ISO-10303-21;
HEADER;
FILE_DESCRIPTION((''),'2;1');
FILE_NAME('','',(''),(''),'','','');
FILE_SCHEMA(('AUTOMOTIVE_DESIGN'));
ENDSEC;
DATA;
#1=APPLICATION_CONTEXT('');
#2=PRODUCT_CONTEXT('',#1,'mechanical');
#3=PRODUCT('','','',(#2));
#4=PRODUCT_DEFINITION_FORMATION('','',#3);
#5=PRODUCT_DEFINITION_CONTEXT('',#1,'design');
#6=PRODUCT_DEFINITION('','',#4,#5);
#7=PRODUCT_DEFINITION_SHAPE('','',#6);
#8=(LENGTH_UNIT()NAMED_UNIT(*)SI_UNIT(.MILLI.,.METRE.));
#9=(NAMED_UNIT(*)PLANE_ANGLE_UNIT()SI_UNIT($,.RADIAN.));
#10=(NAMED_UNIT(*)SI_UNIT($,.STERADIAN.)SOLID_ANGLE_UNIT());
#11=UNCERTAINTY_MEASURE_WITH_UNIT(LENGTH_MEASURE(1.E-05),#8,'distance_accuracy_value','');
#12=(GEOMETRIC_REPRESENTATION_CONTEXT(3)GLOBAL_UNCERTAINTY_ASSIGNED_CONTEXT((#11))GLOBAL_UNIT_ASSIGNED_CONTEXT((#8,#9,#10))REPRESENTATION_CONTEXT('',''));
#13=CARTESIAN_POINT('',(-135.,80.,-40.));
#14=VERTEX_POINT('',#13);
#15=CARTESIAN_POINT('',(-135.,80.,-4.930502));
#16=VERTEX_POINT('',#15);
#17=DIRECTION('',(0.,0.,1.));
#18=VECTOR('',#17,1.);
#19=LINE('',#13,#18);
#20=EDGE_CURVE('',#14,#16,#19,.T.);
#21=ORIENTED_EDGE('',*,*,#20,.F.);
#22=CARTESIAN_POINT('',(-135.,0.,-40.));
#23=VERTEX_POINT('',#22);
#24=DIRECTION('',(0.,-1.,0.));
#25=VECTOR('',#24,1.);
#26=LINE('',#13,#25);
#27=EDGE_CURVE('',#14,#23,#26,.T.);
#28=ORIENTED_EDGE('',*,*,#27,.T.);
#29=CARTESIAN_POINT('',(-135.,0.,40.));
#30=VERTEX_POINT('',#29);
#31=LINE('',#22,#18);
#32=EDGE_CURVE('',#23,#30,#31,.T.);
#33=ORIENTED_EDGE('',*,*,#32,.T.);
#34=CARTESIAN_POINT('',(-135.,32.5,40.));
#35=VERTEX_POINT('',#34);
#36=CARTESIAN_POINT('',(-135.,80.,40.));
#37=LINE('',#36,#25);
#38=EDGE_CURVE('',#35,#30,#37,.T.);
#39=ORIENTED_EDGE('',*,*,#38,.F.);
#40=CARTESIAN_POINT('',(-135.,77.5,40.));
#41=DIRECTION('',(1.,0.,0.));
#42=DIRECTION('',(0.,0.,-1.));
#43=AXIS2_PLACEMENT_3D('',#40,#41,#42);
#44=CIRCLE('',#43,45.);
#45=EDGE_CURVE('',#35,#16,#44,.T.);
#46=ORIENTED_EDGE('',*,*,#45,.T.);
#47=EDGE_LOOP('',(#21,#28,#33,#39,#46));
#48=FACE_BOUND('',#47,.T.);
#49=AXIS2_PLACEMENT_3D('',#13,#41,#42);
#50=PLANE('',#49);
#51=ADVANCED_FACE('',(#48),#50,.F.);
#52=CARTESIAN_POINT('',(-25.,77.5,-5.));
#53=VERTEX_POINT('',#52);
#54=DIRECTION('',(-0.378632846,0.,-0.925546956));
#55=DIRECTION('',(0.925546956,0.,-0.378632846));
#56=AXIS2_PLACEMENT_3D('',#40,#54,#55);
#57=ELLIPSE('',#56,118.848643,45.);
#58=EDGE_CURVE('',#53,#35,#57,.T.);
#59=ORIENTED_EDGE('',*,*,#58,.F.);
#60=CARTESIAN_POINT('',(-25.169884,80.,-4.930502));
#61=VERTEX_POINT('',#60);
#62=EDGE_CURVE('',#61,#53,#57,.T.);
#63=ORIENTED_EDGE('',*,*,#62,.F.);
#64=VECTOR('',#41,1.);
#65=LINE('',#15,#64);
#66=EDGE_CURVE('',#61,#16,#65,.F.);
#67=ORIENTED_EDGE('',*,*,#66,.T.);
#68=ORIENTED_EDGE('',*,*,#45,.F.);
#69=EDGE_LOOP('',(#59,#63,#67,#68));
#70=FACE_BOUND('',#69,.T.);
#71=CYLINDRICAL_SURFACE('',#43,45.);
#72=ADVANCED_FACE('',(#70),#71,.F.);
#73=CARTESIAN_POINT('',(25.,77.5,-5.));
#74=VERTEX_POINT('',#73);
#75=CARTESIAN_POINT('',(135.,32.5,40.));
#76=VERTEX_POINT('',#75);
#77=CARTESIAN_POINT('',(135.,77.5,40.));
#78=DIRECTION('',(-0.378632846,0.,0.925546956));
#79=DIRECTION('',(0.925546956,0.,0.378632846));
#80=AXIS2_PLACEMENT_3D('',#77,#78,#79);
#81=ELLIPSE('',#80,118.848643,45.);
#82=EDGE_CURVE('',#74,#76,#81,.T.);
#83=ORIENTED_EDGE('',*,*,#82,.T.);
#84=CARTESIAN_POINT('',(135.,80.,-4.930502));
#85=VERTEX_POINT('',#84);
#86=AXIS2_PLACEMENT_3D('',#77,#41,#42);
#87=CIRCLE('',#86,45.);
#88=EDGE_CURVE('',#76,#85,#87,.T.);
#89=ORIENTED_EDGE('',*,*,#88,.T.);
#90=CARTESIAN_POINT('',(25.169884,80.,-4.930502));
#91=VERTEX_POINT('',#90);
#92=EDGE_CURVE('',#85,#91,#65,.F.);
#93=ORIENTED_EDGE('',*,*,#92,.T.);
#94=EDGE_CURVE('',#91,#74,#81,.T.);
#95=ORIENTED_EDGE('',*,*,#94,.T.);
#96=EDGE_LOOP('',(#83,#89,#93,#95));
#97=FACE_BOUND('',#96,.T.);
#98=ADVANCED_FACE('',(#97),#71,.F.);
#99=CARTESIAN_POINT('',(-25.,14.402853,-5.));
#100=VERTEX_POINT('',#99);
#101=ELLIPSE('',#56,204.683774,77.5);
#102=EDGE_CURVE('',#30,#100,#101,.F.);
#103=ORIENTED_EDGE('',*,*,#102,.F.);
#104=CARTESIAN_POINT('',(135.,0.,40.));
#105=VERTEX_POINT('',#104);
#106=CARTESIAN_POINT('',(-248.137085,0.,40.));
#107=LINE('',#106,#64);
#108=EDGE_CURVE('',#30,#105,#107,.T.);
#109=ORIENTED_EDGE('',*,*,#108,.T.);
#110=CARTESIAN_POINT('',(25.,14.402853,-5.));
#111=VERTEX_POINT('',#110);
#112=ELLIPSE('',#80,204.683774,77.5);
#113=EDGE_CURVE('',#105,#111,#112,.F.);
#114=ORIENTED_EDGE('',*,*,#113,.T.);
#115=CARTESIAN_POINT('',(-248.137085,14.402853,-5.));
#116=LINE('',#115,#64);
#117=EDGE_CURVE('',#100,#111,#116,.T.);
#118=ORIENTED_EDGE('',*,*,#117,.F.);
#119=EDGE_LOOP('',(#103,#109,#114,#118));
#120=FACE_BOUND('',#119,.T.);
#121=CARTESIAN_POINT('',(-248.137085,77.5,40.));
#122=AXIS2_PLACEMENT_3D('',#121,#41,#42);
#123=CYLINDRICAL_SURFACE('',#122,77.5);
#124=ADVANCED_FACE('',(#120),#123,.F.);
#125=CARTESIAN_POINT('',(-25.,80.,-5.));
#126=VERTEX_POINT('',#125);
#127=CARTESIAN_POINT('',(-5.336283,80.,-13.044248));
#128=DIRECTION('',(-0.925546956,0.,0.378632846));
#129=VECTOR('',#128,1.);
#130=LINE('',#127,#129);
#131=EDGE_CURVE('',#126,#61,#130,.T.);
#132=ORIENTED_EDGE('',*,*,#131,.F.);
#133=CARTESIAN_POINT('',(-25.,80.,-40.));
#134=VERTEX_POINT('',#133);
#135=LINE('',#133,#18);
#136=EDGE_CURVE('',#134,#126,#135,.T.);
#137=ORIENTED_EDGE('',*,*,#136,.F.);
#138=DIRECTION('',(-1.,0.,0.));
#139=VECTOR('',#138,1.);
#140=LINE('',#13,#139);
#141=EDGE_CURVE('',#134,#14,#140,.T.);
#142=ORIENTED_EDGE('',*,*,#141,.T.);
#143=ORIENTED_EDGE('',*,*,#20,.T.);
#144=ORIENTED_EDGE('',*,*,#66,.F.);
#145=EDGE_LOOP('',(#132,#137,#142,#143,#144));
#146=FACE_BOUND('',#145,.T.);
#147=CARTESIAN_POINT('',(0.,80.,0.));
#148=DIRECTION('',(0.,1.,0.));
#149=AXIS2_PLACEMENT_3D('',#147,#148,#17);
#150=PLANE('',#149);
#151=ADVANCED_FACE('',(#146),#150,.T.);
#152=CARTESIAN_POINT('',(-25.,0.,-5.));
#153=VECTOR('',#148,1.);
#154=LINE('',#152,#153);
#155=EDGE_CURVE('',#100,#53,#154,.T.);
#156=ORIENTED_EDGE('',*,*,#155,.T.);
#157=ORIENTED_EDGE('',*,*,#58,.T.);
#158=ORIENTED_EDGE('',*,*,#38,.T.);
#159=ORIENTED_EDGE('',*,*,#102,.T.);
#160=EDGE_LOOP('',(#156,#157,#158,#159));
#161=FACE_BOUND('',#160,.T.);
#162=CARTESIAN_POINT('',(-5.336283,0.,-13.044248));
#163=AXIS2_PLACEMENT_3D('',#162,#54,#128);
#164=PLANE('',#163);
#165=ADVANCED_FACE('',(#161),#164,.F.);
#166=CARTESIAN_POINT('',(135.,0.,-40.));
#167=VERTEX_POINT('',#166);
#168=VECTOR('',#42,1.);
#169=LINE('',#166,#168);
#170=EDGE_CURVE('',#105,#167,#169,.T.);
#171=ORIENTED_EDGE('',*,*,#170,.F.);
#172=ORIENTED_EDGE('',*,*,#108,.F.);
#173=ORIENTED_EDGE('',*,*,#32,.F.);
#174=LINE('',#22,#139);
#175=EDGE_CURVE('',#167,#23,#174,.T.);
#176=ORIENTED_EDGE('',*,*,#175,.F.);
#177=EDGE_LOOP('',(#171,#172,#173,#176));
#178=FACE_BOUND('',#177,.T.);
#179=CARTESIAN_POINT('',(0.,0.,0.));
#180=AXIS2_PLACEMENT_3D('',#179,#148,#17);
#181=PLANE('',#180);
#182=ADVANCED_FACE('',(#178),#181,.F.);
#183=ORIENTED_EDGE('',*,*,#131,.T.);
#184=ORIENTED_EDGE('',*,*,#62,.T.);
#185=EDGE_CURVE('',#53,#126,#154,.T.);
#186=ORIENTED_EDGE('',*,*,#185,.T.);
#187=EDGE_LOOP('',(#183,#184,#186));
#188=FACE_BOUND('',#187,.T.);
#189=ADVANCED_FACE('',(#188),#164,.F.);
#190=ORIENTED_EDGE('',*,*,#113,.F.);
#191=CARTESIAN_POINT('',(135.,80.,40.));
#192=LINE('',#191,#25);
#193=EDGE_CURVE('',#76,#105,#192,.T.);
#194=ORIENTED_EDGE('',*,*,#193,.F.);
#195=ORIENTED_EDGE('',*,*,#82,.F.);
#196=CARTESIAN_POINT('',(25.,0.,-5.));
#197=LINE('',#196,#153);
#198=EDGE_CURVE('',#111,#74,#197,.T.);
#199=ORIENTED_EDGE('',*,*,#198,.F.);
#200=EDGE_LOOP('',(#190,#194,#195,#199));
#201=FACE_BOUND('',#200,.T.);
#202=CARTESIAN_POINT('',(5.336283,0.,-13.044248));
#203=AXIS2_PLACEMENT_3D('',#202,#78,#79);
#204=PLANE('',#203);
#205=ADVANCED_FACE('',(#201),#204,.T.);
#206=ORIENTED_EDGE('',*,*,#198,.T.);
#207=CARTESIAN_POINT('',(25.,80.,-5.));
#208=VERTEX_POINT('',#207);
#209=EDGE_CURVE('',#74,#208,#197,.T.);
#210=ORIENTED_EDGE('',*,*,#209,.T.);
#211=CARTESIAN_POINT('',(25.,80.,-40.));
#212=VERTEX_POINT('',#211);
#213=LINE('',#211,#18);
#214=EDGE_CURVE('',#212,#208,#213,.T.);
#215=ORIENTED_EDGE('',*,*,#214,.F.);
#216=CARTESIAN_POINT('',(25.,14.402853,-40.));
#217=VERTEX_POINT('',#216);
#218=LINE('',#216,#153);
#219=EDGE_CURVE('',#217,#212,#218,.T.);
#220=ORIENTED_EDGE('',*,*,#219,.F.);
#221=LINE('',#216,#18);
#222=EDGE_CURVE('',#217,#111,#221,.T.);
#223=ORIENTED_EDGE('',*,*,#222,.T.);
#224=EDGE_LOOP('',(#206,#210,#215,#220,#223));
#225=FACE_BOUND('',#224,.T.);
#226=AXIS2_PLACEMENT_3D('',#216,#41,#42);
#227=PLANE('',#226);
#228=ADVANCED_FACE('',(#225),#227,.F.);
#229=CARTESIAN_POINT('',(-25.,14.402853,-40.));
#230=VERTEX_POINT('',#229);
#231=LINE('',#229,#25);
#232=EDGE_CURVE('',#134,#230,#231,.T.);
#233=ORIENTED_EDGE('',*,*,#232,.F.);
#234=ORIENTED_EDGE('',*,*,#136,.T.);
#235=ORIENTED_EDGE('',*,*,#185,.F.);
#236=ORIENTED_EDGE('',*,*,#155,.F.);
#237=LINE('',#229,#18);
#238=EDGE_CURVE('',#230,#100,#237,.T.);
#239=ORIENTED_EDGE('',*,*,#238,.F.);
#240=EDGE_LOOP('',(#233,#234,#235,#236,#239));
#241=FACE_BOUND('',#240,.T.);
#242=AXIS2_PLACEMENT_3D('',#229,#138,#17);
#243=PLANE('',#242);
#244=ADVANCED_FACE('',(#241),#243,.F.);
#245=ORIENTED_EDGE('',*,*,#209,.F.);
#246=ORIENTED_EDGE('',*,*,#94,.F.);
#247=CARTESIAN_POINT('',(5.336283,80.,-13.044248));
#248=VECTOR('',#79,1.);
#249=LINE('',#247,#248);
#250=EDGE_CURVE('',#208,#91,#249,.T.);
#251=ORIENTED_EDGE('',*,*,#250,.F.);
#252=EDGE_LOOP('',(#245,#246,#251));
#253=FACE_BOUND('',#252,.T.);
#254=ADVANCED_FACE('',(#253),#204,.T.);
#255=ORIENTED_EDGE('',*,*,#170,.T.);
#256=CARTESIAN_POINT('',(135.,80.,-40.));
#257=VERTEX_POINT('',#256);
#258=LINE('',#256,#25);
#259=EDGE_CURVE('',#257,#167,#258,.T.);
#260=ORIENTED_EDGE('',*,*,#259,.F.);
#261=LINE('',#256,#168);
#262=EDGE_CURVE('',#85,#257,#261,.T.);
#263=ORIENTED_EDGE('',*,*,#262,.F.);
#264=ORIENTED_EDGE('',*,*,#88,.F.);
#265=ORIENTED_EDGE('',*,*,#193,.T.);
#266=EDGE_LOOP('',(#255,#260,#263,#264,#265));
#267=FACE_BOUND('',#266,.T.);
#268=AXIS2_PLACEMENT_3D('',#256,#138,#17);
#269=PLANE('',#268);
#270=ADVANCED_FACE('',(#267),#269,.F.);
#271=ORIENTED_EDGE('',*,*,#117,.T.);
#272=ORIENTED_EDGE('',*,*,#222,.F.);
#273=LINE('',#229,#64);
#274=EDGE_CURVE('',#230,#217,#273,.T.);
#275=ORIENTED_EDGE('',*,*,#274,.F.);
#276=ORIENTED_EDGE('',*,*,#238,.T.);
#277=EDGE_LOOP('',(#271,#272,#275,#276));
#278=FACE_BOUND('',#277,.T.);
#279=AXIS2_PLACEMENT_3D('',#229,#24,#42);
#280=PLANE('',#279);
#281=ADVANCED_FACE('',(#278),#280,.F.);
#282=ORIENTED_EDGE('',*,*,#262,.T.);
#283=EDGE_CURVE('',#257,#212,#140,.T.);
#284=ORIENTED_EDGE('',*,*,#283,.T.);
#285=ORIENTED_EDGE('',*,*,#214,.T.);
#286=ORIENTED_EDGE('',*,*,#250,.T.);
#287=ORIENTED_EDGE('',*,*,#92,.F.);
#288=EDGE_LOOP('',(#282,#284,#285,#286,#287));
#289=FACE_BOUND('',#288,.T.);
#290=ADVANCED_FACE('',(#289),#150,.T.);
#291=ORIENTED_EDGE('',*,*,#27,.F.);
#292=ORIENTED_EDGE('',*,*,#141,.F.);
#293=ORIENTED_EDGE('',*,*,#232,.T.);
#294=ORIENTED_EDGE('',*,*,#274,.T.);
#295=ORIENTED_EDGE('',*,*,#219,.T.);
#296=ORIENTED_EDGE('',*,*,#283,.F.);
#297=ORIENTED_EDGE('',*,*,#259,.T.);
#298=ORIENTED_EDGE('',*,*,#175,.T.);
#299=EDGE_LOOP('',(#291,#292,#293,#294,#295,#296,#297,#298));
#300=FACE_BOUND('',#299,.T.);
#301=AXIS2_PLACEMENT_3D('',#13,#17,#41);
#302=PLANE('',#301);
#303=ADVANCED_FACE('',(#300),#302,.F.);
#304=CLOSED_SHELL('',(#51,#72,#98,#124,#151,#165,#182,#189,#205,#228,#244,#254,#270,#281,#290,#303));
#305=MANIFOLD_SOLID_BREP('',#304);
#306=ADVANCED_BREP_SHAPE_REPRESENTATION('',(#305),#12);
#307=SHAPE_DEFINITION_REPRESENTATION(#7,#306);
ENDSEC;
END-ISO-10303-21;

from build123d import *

# Parameters (mm, degrees)
SKETCH1_W           = 270
SKETCH1_H           = 80
BOSS_EXTRUDE1_DEPTH = 80
CUT_EXTRUDE1_DEPTH  = 81
BOSS_EXTRUDE2_DEPTH = 270
SKETCH3_R           = 45
CUT_EXTRUDE2_DEPTH  = 271
SKETCH5_W           = 50
SKETCH5_H           = 65.597147321
CUT_EXTRUDE3_DEPTH  = 36


with BuildPart() as part:
    # Sketch1 → Boss-Extrude1 (new body)
    with BuildSketch(Plane(origin=(0, 0, 0), x_dir=(1, 0, 0), z_dir=(0, 1, 0))):
        Rectangle(SKETCH1_W, SKETCH1_H)
    extrude(amount=BOSS_EXTRUDE1_DEPTH)

    # Sketch2 → Cut-Extrude1 (cut, through all)
    with BuildSketch(Plane(origin=(0, 80, 0), x_dir=(1, 0, 0), z_dir=(0, 1, 0))):
        Polygon((0, -40), (0, 5), (-25, 5), (-135, -40), align=None)
        Polygon((135, -40), (25, 5), (0, 5), (0, -40), align=None)
    extrude(amount=-CUT_EXTRUDE1_DEPTH, mode=Mode.SUBTRACT)

    # Sketch4 → Boss-Extrude2 (add)
    with BuildSketch(Plane(origin=(135, 0, 0), x_dir=(0, 0, -1), z_dir=(1, 0, 0))):
        with BuildLine():
            Line((40, 80), (37.459666924, 80))
            ThreePointArc((37.459666924, 80), (15.677643628, 23.590353368), (-40, 0))
            Line((-40, 0), (40, 0))
            Line((40, 0), (40, 80))
        make_face()
    extrude(amount=-BOSS_EXTRUDE2_DEPTH)

    # Sketch3 → Cut-Extrude2 (cut, through all)
    with BuildSketch(Plane(origin=(135, 0, 0), x_dir=(0, 0, -1), z_dir=(1, 0, 0))):
        with Locations((-40, 77.5)):
            Circle(SKETCH3_R)
    extrude(amount=-CUT_EXTRUDE2_DEPTH, mode=Mode.SUBTRACT)

    # Sketch5 → Cut-Extrude3 (cut, through all)
    with BuildSketch(Plane.XY.offset(-5)):
        with Locations((0, 47.20142634)):
            Rectangle(SKETCH5_W, SKETCH5_H)
    extrude(amount=-CUT_EXTRUDE3_DEPTH, mode=Mode.SUBTRACT)


solid = part.part
